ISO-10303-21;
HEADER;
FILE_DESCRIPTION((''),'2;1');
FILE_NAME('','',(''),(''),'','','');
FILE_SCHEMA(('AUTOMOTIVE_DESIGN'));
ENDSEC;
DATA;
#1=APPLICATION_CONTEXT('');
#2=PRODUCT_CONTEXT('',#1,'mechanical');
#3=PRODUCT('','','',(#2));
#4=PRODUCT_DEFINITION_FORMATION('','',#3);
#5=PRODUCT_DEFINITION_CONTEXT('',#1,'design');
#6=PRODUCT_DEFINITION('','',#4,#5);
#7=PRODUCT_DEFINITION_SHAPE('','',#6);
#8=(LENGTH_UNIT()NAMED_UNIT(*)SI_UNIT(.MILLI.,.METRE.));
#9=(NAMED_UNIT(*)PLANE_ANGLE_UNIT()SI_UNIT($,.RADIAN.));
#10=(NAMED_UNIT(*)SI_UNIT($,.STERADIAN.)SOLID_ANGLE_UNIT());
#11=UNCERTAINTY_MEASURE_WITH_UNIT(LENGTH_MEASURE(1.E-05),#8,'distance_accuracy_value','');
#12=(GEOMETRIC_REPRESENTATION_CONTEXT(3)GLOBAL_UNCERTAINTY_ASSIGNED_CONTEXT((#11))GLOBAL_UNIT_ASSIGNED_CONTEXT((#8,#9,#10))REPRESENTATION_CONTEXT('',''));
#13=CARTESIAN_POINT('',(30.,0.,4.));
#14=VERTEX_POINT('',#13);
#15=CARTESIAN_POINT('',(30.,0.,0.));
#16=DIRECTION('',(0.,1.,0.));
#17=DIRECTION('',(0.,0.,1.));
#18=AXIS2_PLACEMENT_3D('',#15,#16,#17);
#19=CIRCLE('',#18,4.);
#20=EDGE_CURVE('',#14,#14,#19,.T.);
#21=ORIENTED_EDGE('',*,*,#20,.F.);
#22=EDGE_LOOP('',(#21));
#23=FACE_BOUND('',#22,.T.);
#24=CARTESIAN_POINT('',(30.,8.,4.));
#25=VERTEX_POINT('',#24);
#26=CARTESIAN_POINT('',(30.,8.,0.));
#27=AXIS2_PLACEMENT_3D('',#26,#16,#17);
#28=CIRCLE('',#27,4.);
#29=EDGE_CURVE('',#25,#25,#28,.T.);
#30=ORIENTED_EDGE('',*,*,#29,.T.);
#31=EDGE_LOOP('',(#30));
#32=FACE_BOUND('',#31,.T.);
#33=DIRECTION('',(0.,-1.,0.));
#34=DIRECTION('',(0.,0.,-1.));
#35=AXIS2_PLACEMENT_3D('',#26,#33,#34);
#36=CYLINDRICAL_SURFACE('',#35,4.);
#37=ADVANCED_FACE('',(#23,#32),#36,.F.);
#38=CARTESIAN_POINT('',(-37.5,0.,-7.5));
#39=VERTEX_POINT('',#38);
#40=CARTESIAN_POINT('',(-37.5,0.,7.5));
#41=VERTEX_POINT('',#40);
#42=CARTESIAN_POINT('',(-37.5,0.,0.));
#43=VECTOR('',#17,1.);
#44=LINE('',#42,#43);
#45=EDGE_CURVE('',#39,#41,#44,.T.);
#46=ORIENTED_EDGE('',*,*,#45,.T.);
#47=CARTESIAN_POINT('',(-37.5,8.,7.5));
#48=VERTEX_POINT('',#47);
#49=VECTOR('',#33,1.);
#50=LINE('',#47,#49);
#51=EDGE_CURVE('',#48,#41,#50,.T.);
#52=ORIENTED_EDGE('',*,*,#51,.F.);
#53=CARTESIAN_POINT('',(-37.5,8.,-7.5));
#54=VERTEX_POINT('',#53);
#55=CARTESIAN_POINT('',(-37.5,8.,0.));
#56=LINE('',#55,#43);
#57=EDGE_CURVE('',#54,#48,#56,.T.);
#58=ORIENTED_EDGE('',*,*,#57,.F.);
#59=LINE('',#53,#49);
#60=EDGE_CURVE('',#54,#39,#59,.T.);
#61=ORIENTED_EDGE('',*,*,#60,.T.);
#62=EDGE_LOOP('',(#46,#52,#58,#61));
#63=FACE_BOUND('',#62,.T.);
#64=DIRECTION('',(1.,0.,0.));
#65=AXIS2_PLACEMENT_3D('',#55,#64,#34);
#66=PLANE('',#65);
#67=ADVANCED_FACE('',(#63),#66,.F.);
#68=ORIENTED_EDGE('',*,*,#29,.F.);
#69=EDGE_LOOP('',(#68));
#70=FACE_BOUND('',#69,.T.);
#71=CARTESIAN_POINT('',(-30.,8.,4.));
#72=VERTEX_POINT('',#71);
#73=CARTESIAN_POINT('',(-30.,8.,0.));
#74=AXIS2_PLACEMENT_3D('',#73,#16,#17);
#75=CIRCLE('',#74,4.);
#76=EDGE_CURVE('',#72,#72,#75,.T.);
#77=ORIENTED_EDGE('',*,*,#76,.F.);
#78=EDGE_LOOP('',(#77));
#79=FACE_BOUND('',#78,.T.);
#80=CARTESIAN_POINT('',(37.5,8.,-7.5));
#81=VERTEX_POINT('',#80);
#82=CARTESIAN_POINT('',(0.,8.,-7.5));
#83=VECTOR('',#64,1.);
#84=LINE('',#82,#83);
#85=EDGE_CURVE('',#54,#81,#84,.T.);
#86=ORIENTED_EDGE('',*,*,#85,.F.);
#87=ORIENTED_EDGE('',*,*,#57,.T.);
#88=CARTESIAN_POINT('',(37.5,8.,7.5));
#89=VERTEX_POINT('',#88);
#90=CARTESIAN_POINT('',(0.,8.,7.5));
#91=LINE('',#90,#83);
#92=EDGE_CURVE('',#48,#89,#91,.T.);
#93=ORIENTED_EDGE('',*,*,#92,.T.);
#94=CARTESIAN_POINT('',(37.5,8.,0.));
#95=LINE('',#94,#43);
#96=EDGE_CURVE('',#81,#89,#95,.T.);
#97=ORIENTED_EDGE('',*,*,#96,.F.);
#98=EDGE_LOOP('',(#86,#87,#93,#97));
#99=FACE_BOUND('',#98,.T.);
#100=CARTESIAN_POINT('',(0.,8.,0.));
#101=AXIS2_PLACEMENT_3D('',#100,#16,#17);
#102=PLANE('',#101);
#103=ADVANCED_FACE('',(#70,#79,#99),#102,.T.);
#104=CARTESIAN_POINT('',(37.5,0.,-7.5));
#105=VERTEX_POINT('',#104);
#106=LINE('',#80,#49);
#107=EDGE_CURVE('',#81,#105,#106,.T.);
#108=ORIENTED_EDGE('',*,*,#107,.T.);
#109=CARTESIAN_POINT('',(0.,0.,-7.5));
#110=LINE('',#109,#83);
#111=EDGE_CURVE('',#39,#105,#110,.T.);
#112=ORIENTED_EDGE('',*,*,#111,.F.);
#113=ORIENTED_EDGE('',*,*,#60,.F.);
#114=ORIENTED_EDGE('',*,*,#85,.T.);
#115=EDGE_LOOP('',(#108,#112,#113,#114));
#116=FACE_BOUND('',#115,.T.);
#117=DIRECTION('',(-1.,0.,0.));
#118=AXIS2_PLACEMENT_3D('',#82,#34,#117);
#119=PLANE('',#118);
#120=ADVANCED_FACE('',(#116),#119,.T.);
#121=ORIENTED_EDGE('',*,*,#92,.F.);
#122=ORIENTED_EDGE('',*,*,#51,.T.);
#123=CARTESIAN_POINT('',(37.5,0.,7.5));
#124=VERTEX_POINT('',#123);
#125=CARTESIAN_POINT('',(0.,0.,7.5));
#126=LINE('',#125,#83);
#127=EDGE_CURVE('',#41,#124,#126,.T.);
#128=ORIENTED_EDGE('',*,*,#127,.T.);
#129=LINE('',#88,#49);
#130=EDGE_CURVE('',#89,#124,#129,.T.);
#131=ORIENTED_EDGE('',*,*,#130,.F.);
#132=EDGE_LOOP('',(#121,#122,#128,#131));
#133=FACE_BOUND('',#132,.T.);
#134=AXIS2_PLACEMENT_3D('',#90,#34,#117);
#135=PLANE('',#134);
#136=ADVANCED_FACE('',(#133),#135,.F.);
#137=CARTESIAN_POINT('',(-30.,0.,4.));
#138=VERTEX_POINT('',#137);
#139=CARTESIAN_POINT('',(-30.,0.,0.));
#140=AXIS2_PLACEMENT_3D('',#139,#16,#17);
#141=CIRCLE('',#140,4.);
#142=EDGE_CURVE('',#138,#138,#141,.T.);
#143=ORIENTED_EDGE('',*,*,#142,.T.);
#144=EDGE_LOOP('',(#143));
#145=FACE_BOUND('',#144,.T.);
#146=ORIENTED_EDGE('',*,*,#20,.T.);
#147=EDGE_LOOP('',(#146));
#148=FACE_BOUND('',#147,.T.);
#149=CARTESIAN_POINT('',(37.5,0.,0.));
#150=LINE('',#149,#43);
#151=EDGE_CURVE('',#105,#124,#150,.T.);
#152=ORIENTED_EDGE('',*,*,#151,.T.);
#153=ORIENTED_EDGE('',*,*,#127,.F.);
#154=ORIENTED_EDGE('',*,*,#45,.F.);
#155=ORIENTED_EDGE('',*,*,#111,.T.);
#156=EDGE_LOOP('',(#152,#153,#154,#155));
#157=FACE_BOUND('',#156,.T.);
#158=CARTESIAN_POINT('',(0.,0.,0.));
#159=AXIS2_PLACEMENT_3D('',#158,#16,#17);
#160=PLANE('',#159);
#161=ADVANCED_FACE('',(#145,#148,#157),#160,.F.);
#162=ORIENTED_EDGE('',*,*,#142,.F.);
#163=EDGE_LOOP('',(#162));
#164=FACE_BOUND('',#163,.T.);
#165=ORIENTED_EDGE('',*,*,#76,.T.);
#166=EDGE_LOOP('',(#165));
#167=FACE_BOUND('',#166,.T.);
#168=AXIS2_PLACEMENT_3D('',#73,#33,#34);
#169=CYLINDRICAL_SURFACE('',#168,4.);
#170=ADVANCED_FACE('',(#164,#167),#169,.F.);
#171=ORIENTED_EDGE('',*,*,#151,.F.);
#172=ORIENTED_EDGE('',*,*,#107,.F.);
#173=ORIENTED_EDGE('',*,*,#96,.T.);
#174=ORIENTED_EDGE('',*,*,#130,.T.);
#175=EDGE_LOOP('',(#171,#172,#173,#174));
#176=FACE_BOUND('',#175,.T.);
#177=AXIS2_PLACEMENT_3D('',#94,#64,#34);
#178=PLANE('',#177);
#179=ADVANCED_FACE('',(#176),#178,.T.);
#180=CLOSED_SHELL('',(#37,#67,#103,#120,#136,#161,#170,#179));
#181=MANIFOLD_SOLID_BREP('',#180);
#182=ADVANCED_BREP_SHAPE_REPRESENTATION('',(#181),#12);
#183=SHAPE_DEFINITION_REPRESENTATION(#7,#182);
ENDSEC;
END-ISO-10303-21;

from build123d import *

# Parameters (mm, degrees)
BOSS_EXTRUDE1_DEPTH = 8


with BuildPart() as part:
    # Sketch2 → Boss-Extrude1 (new body)
    with BuildSketch(Plane(origin=(0, 0, 0), x_dir=(1, 0, 0), z_dir=(0, 1, 0))):
        with BuildLine():
            ThreePointArc((26, 0), (30, 4), (34, 0))
            Line((34, 0), (37.5, 0))
            Line((37.5, 0), (37.5, 7.5))
            Line((37.5, 7.5), (-37.5, 7.5))
            Line((-37.5, 7.5), (-37.5, 0))
            Line((-37.5, 0), (-34, 0))
            ThreePointArc((-34, 0), (-30, 4), (-26, 0))
            Line((-26, 0), (26, 0))
        make_face()
        with BuildLine():
            Line((37.5, 0), (34, 0))
            ThreePointArc((34, 0), (30, -4), (26, 0))
            Line((26, 0), (-26, 0))
            ThreePointArc((-26, 0), (-30, -4), (-34, 0))
            Line((-34, 0), (-37.5, 0))
            Line((-37.5, 0), (-37.5, -7.5))
            Line((-37.5, -7.5), (37.5, -7.5))
            Line((37.5, -7.5), (37.5, 0))
        make_face()
    extrude(amount=BOSS_EXTRUDE1_DEPTH)


solid = part.part
